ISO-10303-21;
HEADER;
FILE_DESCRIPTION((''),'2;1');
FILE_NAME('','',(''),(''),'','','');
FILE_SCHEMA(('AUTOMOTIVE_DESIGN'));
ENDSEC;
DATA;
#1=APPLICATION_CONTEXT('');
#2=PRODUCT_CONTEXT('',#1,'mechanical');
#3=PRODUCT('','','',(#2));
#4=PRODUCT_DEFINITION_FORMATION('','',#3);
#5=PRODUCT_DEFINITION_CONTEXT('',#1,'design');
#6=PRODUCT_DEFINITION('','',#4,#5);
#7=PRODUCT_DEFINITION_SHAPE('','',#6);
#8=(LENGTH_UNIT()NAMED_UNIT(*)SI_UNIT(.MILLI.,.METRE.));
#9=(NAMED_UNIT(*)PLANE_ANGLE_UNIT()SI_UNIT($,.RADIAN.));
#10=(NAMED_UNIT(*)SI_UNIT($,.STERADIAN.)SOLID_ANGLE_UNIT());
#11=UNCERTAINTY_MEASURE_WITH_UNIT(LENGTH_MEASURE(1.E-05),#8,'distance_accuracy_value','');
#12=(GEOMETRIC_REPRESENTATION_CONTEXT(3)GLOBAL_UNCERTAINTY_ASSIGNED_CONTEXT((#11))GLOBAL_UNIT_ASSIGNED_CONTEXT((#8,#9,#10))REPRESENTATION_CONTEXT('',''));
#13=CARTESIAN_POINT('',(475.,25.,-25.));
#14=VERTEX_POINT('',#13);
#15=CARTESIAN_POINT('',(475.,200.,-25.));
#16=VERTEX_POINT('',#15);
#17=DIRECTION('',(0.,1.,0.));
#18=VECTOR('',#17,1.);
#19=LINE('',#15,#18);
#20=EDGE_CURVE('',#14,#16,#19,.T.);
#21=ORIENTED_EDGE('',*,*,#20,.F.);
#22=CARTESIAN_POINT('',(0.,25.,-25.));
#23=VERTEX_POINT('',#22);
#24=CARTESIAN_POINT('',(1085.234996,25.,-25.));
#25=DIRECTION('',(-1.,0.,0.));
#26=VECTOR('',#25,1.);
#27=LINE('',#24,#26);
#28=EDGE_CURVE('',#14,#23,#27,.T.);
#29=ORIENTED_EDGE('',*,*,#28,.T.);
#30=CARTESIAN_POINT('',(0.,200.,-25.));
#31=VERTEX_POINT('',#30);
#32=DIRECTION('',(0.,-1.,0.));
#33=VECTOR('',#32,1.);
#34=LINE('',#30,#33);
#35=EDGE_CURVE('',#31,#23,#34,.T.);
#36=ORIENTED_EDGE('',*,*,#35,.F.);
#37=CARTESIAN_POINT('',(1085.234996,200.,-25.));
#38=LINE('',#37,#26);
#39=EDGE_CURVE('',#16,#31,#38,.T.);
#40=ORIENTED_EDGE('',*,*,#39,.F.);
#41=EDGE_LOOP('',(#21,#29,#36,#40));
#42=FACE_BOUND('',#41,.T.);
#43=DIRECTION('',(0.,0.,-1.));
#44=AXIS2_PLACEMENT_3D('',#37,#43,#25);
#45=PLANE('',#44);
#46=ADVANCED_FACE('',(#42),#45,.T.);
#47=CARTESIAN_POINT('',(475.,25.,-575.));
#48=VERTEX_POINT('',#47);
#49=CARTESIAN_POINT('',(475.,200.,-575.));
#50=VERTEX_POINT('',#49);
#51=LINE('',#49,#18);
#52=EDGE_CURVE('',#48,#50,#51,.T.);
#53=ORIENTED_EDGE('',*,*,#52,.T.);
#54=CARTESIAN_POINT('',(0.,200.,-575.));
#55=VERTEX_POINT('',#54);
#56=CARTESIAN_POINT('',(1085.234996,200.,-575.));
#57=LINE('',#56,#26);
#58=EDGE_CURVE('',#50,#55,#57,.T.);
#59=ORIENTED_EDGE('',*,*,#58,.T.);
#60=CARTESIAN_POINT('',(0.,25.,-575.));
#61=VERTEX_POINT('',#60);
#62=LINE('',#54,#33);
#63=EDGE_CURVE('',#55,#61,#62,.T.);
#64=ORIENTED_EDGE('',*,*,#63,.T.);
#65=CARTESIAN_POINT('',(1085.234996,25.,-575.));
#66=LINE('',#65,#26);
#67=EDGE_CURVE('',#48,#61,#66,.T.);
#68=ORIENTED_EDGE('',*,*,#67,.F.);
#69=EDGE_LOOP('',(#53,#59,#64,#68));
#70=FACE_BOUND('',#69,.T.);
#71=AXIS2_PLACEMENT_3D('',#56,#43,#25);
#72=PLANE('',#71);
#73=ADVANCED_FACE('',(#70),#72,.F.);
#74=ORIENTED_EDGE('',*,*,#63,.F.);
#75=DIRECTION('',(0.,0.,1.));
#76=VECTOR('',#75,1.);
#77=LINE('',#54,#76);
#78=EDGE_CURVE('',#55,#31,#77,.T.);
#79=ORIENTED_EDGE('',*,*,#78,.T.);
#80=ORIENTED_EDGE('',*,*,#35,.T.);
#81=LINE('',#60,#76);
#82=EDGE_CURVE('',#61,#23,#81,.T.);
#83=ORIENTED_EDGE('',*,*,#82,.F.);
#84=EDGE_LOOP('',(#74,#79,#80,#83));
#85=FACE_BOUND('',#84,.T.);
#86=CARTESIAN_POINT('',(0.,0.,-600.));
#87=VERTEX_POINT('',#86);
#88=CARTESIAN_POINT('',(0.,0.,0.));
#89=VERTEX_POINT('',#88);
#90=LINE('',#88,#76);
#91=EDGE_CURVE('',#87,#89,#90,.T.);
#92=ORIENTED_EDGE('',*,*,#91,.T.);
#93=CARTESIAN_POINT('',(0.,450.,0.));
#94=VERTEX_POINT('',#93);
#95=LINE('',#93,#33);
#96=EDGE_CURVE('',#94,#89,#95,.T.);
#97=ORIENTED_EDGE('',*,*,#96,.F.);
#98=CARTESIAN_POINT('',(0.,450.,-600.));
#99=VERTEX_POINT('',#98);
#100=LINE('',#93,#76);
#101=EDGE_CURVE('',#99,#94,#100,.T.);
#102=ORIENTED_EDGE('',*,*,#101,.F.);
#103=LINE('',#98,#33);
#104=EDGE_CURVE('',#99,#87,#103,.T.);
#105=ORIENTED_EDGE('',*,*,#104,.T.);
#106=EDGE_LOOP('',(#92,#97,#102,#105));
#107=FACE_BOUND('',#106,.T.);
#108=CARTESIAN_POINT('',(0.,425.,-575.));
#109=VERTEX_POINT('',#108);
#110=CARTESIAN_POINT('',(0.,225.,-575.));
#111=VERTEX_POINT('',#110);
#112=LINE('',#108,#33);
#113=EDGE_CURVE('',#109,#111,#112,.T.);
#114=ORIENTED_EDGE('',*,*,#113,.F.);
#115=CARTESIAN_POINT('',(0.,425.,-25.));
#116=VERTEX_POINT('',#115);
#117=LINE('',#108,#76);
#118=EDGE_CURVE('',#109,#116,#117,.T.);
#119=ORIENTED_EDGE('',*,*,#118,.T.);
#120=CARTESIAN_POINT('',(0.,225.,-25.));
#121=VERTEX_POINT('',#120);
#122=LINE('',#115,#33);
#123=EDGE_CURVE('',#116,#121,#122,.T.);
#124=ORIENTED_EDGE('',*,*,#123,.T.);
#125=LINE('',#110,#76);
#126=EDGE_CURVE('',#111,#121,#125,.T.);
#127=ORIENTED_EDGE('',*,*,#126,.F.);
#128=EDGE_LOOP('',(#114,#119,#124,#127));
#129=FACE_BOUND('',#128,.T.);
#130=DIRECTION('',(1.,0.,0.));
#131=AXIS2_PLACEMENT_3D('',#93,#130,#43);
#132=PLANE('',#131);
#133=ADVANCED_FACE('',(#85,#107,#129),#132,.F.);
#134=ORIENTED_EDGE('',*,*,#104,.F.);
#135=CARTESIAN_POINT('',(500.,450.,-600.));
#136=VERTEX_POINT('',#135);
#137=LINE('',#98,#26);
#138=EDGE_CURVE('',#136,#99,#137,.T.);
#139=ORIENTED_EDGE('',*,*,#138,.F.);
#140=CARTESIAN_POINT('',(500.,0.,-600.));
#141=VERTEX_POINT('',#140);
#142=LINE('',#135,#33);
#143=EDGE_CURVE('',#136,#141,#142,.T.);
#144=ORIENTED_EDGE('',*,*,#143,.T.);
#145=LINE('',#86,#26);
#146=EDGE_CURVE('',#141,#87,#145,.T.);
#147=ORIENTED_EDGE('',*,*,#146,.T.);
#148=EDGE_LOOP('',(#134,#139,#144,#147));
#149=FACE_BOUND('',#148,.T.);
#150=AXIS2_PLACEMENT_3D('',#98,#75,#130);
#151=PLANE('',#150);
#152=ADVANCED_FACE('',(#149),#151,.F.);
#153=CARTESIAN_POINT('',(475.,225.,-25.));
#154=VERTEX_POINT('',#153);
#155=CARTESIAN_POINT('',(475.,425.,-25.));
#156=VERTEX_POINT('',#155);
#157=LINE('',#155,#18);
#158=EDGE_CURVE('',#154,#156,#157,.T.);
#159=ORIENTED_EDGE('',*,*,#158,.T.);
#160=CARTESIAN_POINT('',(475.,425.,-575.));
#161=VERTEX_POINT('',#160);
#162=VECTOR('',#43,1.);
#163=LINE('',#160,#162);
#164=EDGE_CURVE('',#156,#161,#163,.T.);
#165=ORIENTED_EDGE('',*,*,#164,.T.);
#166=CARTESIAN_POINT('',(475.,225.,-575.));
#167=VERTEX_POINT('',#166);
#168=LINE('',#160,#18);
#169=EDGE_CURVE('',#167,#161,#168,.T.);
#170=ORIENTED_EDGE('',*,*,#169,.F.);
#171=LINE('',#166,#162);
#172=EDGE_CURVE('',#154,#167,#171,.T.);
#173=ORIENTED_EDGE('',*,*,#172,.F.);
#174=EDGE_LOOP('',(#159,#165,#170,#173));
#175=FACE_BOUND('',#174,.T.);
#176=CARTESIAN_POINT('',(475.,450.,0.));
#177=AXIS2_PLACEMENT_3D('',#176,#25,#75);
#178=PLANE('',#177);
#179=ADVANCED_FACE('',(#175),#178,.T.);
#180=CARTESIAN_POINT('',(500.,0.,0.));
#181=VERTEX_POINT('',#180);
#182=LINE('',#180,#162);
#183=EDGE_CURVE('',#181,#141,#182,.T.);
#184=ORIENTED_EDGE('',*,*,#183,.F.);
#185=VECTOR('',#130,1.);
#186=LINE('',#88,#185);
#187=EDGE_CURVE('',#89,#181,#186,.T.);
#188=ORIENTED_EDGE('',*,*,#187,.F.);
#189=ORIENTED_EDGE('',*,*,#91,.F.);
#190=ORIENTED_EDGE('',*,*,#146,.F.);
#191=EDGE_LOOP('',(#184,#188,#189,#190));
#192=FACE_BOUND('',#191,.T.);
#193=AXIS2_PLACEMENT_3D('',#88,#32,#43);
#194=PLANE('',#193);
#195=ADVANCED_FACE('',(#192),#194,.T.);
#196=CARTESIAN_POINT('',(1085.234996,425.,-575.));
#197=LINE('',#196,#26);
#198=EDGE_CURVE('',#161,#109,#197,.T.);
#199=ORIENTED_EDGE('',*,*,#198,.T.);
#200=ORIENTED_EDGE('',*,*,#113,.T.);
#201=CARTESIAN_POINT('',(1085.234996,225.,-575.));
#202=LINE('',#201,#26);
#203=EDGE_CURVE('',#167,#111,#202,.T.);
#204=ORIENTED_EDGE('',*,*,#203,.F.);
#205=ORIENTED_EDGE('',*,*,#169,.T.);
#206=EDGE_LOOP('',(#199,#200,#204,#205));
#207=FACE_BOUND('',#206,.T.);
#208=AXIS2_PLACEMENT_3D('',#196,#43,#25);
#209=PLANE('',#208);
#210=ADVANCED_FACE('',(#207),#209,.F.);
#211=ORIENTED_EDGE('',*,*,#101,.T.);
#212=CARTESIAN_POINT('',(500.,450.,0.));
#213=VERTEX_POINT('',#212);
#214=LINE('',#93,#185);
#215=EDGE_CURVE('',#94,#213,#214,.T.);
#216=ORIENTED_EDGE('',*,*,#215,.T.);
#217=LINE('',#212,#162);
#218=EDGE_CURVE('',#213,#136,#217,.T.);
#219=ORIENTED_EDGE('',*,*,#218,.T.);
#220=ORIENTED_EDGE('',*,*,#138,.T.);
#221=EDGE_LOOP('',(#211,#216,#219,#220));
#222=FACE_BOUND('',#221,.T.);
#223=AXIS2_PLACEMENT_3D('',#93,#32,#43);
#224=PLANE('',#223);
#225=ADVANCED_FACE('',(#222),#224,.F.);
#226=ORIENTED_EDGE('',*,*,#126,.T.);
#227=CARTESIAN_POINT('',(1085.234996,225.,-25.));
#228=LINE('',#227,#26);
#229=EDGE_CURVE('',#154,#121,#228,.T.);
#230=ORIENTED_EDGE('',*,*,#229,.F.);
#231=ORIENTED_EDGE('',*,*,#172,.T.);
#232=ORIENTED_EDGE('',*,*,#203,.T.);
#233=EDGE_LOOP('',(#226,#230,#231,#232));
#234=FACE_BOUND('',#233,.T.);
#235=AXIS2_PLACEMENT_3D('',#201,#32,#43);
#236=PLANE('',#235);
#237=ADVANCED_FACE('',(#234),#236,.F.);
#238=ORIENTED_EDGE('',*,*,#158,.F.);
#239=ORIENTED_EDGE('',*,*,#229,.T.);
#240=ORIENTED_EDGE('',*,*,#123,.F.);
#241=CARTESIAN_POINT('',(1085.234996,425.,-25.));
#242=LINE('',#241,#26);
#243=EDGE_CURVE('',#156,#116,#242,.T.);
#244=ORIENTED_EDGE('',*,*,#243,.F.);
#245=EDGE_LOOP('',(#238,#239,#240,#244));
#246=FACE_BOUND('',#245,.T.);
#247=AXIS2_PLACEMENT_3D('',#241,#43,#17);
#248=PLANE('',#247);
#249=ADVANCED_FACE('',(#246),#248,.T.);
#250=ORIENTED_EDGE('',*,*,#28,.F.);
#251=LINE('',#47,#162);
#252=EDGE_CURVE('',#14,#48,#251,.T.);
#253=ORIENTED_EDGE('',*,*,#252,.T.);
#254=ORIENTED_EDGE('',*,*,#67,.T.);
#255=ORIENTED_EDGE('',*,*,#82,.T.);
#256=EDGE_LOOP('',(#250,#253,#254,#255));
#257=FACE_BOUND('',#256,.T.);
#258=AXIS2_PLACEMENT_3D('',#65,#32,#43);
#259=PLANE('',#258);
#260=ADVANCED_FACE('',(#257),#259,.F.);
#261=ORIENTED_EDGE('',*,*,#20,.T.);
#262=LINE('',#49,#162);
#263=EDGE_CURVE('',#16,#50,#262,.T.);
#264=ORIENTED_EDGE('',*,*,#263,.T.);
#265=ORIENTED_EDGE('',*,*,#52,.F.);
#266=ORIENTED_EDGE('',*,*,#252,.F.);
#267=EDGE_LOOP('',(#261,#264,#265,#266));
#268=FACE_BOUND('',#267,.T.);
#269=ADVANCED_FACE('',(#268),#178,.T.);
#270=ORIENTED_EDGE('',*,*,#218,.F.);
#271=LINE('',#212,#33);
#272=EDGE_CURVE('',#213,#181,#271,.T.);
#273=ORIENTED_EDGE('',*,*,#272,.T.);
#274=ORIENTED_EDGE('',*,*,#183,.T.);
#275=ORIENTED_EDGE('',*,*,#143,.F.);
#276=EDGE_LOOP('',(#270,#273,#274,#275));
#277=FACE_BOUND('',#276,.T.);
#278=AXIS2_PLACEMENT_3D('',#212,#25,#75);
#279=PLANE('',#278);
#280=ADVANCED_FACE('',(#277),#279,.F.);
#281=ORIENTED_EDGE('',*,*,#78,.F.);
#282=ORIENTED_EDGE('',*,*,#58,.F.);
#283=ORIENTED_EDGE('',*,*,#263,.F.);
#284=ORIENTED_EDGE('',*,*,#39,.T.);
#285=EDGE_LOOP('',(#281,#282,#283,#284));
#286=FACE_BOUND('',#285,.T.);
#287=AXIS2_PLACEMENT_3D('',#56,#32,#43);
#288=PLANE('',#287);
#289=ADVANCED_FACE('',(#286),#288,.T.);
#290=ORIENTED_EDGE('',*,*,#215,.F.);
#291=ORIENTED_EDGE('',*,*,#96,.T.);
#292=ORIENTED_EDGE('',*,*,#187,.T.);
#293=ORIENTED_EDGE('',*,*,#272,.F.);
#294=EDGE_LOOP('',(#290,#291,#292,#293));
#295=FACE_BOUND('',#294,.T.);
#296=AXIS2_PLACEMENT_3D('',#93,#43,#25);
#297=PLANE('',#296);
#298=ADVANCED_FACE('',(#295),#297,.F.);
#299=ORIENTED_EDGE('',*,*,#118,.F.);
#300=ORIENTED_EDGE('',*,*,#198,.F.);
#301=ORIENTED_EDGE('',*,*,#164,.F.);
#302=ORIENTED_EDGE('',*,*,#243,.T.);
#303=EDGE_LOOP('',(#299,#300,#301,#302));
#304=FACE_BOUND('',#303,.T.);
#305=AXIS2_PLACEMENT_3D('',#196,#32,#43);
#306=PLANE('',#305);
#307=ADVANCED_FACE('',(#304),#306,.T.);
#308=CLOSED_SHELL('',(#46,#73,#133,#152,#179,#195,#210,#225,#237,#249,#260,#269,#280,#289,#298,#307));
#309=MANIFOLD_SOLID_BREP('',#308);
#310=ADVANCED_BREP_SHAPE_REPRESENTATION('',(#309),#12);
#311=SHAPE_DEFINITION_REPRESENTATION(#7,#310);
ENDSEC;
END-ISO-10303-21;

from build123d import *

# Parameters (mm, degrees)
SKETCH1_W           = 500
SKETCH1_H           = 600
BOSS_EXTRUDE1_DEPTH = 450
SKETCH2_W           = 550
SKETCH2_H           = 200
SKETCH2_H_2         = 175
CUT_EXTRUDE2_DEPTH  = 475


with BuildPart() as part:
    # Sketch1 → Boss-Extrude1 (new body)
    with BuildSketch(Plane(origin=(0, 0, 0), x_dir=(1, 0, 0), z_dir=(0, 1, 0))):
        with Locations((250, 300)):
            Rectangle(SKETCH1_W, SKETCH1_H)
    extrude(amount=BOSS_EXTRUDE1_DEPTH)

    # Sketch2 → Cut-Extrude2 (cut)
    with BuildSketch(Plane.ZY):
        with Locations((-300, 325)):
            Rectangle(SKETCH2_W, SKETCH2_H)
        with Locations((-300, 112.5)):
            Rectangle(SKETCH2_W, SKETCH2_H_2)
    extrude(amount=-CUT_EXTRUDE2_DEPTH, mode=Mode.SUBTRACT)


solid = part.part
